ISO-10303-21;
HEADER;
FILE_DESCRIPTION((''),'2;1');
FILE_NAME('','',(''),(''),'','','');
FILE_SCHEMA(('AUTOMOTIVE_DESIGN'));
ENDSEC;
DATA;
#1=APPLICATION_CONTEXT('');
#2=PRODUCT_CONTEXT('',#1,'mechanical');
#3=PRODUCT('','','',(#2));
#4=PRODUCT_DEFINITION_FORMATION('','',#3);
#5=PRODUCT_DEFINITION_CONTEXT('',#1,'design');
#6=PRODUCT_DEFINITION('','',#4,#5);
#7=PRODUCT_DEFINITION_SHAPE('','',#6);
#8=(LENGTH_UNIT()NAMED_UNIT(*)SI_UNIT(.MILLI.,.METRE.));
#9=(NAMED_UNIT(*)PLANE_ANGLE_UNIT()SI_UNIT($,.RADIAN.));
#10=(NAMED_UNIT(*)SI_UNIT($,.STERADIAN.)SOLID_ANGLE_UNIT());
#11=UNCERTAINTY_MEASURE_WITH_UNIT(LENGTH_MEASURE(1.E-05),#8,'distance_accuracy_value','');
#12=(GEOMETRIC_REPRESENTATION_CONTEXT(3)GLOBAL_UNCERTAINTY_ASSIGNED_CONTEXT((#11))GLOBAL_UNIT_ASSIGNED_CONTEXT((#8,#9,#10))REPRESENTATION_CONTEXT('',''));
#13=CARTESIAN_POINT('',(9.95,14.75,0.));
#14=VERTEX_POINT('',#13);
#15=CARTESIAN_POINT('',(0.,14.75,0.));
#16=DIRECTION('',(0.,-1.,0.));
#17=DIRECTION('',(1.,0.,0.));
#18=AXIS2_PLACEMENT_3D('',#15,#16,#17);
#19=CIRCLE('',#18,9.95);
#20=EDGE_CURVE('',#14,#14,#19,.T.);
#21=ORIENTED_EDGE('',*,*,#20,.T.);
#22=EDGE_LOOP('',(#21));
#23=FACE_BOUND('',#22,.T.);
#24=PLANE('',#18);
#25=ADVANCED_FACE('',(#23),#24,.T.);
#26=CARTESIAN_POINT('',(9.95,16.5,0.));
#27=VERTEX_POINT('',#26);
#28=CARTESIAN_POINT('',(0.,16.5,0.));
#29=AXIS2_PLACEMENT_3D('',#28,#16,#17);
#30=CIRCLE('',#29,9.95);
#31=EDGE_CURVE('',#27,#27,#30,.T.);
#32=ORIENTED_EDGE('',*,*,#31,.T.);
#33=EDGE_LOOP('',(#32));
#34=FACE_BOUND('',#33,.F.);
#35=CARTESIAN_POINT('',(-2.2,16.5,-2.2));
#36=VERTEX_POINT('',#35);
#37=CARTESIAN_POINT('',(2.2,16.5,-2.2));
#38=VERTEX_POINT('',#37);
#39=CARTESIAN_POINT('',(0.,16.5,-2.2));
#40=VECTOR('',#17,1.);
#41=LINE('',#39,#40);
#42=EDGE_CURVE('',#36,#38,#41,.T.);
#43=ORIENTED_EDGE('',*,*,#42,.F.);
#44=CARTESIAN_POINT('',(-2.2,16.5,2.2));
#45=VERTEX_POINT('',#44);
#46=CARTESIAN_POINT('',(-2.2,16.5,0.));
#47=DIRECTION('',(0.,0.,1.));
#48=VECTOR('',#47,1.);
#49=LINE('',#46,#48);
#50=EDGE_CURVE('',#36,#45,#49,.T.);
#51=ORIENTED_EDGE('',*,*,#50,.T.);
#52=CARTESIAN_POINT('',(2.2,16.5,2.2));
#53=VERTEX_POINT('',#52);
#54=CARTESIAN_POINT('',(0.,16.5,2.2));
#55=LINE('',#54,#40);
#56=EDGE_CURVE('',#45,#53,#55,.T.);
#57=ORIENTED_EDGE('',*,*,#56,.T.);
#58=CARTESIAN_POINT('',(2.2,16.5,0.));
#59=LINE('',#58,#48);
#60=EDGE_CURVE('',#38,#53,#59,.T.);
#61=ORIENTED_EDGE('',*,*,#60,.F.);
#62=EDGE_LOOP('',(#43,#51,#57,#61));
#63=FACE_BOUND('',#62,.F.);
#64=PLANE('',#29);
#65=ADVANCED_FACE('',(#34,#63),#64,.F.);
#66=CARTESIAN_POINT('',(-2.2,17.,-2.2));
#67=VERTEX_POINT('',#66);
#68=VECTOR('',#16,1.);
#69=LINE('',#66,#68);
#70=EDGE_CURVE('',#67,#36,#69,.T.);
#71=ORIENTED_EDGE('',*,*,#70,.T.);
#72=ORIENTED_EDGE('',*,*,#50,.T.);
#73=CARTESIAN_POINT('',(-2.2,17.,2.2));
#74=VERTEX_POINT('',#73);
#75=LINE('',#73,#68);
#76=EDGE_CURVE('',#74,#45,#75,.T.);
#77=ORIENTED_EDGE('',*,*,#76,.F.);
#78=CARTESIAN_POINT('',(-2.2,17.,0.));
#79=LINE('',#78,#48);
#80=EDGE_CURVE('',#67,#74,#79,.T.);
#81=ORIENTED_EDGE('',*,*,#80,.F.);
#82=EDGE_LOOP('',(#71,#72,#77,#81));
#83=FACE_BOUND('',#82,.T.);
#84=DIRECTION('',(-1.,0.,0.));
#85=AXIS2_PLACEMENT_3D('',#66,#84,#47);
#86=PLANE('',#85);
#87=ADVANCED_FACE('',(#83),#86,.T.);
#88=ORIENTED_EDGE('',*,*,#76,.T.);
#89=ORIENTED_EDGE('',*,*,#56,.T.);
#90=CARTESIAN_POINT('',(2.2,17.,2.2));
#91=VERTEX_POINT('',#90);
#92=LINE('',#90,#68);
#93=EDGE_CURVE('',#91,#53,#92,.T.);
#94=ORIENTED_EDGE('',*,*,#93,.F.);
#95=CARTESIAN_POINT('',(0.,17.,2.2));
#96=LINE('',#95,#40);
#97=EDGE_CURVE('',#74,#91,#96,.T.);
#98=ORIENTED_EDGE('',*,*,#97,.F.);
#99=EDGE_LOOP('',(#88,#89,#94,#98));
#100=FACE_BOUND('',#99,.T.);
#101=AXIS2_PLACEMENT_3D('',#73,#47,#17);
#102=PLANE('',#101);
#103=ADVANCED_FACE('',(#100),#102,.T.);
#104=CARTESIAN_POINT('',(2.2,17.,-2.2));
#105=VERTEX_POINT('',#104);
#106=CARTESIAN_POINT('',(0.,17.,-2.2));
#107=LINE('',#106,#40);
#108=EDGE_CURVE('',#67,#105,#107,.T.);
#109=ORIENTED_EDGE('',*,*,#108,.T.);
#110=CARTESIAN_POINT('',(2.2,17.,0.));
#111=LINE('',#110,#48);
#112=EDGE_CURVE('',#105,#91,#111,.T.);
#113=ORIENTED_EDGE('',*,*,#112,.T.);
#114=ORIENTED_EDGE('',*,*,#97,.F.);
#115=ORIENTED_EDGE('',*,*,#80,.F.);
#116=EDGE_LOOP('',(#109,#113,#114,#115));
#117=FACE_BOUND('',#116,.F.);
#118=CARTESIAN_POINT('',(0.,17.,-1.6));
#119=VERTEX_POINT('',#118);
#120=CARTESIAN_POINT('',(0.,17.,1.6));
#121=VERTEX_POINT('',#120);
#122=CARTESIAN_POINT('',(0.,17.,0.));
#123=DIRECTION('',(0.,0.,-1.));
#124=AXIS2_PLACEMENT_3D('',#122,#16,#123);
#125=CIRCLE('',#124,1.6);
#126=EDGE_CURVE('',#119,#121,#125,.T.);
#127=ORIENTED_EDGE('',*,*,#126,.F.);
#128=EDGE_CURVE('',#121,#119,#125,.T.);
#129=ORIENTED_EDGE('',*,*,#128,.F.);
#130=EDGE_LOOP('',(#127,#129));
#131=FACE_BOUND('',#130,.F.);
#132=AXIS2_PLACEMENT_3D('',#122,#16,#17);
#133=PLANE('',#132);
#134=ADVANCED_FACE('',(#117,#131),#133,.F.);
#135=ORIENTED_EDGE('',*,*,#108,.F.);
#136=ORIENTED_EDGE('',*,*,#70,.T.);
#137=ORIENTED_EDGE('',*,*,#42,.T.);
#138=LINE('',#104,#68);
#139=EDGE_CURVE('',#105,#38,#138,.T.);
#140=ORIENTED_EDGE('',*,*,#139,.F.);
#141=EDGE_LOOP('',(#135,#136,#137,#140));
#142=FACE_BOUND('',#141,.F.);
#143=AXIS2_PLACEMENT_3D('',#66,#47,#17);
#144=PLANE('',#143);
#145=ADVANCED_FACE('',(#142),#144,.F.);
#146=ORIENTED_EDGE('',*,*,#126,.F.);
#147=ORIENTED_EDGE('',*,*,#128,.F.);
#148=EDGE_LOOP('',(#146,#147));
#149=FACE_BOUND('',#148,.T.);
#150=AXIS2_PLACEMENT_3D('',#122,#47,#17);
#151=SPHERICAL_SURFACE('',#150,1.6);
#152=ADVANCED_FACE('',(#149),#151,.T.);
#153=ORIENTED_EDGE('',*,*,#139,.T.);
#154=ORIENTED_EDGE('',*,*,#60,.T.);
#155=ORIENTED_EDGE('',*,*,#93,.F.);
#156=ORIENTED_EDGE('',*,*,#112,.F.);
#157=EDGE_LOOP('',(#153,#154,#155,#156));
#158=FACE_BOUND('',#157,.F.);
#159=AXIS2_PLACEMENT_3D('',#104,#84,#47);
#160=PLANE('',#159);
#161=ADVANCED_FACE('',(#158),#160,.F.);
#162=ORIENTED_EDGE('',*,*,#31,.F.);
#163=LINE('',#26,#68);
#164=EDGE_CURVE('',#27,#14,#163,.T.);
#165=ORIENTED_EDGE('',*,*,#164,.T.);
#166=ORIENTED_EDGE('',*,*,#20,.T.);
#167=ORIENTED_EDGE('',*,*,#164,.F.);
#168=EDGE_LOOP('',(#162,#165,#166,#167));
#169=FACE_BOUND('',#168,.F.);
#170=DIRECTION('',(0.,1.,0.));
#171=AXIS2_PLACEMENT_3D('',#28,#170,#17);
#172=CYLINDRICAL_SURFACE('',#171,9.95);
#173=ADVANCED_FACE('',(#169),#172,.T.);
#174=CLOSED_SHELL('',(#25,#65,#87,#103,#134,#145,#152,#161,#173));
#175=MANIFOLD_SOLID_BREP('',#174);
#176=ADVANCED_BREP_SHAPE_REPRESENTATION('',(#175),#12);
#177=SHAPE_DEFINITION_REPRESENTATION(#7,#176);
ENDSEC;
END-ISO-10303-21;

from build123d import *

# Parameters (mm, degrees)
SKETCH060_W  = 4.4
SKETCH060_H  = 4.4
PAD060_DEPTH = 0.5
SKETCH061_R  = 9.95
PAD061_DEPTH = 1.75
SKETCH059_W  = 5
SKETCH059_H  = 5
PAD059_DEPTH = 5


with BuildPart() as body059:
    # Sketch060 → Pad060 (new body)
    with BuildSketch(Plane.XZ):
        with Locations((2.2, -2.2)):
            Rectangle(SKETCH060_W, SKETCH060_H)
    extrude(amount=PAD060_DEPTH)


with BuildPart() as body059_1:
    # Body059 placement: moved
    add(body059.part.moved(Location((-2.2, 0, 2.2))))


with BuildPart() as body060:
    # Sketch061 → Pad061 (new body)
    with BuildSketch(Plane.XZ):
        Circle(SKETCH061_R)
    extrude(amount=PAD061_DEPTH)


with BuildPart() as body060_1:
    # Body060 placement: moved
    add(body060.part.moved(Location((0, -0.5, 0))))


with BuildPart() as body058:
    # Sketch059 → Pad059 (new body)
    with BuildSketch(Plane.XZ):
        with Locations((2.5, -2.5)):
            Rectangle(SKETCH059_W, SKETCH059_H)
    extrude(amount=PAD059_DEPTH)


with BuildPart() as body058_1:
    # Body058 placement: moved
    add(body058.part.moved(Location((-2, 0, 2))))


with BuildPart() as ledsimple:
    # Sphere → Sphere (revolve)
    with BuildSketch(Plane.XZ):
        with BuildLine():
            ThreePointArc((0, -1.6), (1.6, 0), (0, 1.6))
            Line((0, 1.6), (0, -1.6))
        make_face()
    revolve(axis=Axis((0, 0, 0), (0, 0, 1)))

    # Cut063: cut Body058
    add(body058_1.part, mode=Mode.SUBTRACT)

    # Fusion004: union Body059, Body060
    add(body059_1.part)
    add(body060_1.part)


with BuildPart() as ledsimple_1:
    # Fusion004 placement: moved
    add(ledsimple.part.moved(Location((0, 17, 0))))


solid = ledsimple_1.part
